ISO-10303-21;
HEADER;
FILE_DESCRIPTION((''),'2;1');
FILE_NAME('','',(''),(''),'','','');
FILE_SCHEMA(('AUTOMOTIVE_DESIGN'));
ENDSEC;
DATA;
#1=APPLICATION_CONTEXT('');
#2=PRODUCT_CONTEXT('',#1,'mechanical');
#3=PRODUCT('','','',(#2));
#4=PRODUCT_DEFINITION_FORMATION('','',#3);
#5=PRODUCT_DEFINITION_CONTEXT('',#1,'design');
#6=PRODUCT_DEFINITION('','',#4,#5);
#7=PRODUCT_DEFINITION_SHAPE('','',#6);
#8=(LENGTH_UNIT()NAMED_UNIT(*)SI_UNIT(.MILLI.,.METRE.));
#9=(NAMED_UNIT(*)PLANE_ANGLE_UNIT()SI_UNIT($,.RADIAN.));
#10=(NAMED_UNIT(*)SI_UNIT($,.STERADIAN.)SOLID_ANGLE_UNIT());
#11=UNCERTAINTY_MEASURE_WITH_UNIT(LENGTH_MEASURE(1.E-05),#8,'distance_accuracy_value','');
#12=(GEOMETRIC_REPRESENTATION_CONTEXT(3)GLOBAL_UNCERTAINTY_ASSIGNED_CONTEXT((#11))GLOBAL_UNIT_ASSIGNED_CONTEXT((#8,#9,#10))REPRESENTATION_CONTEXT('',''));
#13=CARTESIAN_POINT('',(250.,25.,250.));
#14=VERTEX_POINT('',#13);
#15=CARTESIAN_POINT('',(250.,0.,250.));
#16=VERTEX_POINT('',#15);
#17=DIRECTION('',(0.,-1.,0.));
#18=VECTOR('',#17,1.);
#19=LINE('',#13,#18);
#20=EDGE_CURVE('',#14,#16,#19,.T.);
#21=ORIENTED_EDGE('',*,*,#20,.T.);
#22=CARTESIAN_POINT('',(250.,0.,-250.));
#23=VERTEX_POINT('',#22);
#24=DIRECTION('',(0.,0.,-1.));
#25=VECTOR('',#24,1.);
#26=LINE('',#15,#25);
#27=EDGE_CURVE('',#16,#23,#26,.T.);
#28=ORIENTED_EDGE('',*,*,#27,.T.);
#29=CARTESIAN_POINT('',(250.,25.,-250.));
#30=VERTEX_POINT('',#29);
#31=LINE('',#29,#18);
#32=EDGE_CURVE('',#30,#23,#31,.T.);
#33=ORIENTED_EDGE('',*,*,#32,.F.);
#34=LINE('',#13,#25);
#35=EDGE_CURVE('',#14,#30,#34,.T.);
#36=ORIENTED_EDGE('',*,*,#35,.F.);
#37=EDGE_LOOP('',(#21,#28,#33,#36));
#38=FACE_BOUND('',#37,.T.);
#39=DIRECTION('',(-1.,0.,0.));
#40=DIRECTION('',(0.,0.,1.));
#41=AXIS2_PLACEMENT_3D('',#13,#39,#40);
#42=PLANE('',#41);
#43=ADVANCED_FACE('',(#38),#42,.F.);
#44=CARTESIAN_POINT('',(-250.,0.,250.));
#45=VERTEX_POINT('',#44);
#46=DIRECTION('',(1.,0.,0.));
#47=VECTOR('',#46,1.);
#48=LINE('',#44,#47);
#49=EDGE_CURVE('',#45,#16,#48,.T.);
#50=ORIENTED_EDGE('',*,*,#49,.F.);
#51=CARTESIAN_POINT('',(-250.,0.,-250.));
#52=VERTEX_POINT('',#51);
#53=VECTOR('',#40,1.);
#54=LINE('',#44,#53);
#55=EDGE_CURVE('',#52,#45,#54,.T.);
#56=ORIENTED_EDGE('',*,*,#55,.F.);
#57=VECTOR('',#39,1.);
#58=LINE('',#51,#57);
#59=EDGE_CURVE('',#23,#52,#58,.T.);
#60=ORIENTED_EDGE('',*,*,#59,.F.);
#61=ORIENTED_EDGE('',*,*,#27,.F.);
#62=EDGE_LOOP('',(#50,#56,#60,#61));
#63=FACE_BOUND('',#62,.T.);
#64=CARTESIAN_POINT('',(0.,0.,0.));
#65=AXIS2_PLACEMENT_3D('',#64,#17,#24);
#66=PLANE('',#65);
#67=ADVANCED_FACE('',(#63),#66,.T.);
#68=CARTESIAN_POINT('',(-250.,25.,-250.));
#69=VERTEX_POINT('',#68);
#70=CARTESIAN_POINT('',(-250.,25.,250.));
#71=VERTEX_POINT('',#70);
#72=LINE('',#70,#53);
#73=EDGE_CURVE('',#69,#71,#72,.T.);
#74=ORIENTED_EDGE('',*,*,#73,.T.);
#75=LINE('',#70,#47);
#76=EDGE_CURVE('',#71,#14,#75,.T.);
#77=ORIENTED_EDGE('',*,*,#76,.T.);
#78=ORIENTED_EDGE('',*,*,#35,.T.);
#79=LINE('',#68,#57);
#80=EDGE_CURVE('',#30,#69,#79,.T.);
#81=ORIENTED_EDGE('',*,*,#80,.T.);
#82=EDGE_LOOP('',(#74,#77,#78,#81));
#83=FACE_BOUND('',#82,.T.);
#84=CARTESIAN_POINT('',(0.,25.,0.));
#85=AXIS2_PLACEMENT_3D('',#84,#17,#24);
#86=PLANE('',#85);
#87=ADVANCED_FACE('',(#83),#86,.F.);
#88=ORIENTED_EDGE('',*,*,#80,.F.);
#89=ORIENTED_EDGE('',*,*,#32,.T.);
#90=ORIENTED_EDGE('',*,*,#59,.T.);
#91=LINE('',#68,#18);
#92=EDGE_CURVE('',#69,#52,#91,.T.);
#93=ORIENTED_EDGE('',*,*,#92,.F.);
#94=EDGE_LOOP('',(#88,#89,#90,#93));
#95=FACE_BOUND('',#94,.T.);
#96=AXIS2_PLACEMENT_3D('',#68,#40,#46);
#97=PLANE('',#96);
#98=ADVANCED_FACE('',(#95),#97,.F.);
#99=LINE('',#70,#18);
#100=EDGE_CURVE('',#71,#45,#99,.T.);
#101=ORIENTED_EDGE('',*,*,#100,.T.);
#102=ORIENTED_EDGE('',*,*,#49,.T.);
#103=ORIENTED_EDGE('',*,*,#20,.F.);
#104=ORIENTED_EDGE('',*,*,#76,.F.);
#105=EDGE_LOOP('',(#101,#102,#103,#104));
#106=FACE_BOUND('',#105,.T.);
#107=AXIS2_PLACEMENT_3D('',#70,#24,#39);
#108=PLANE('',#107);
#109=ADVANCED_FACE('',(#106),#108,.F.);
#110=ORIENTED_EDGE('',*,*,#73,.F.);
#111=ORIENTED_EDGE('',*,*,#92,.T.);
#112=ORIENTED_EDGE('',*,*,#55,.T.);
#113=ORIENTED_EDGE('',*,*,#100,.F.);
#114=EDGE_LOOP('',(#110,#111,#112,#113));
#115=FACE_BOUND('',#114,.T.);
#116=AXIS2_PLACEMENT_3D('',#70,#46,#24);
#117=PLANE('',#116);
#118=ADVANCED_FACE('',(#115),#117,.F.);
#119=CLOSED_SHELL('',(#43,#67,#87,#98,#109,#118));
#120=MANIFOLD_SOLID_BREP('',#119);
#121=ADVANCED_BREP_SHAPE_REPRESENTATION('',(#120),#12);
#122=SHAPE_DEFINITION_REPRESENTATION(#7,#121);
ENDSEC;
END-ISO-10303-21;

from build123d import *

# Parameters (mm, degrees)
SKTABLAMOVILPLATAFORMA_W   = 500
SKTABLAMOVILPLATAFORMA_H   = 500
TABLAMOVILPLATAFORMA_DEPTH = 25


with BuildPart() as part:
    # SkTablaMovilPlataforma → TablaMovilPlataforma (new body)
    with BuildSketch(Plane(origin=(0, 0, 0), x_dir=(1, 0, 0), z_dir=(0, 1, 0))):
        Rectangle(SKTABLAMOVILPLATAFORMA_W, SKTABLAMOVILPLATAFORMA_H)
    extrude(amount=TABLAMOVILPLATAFORMA_DEPTH)


solid = part.part
